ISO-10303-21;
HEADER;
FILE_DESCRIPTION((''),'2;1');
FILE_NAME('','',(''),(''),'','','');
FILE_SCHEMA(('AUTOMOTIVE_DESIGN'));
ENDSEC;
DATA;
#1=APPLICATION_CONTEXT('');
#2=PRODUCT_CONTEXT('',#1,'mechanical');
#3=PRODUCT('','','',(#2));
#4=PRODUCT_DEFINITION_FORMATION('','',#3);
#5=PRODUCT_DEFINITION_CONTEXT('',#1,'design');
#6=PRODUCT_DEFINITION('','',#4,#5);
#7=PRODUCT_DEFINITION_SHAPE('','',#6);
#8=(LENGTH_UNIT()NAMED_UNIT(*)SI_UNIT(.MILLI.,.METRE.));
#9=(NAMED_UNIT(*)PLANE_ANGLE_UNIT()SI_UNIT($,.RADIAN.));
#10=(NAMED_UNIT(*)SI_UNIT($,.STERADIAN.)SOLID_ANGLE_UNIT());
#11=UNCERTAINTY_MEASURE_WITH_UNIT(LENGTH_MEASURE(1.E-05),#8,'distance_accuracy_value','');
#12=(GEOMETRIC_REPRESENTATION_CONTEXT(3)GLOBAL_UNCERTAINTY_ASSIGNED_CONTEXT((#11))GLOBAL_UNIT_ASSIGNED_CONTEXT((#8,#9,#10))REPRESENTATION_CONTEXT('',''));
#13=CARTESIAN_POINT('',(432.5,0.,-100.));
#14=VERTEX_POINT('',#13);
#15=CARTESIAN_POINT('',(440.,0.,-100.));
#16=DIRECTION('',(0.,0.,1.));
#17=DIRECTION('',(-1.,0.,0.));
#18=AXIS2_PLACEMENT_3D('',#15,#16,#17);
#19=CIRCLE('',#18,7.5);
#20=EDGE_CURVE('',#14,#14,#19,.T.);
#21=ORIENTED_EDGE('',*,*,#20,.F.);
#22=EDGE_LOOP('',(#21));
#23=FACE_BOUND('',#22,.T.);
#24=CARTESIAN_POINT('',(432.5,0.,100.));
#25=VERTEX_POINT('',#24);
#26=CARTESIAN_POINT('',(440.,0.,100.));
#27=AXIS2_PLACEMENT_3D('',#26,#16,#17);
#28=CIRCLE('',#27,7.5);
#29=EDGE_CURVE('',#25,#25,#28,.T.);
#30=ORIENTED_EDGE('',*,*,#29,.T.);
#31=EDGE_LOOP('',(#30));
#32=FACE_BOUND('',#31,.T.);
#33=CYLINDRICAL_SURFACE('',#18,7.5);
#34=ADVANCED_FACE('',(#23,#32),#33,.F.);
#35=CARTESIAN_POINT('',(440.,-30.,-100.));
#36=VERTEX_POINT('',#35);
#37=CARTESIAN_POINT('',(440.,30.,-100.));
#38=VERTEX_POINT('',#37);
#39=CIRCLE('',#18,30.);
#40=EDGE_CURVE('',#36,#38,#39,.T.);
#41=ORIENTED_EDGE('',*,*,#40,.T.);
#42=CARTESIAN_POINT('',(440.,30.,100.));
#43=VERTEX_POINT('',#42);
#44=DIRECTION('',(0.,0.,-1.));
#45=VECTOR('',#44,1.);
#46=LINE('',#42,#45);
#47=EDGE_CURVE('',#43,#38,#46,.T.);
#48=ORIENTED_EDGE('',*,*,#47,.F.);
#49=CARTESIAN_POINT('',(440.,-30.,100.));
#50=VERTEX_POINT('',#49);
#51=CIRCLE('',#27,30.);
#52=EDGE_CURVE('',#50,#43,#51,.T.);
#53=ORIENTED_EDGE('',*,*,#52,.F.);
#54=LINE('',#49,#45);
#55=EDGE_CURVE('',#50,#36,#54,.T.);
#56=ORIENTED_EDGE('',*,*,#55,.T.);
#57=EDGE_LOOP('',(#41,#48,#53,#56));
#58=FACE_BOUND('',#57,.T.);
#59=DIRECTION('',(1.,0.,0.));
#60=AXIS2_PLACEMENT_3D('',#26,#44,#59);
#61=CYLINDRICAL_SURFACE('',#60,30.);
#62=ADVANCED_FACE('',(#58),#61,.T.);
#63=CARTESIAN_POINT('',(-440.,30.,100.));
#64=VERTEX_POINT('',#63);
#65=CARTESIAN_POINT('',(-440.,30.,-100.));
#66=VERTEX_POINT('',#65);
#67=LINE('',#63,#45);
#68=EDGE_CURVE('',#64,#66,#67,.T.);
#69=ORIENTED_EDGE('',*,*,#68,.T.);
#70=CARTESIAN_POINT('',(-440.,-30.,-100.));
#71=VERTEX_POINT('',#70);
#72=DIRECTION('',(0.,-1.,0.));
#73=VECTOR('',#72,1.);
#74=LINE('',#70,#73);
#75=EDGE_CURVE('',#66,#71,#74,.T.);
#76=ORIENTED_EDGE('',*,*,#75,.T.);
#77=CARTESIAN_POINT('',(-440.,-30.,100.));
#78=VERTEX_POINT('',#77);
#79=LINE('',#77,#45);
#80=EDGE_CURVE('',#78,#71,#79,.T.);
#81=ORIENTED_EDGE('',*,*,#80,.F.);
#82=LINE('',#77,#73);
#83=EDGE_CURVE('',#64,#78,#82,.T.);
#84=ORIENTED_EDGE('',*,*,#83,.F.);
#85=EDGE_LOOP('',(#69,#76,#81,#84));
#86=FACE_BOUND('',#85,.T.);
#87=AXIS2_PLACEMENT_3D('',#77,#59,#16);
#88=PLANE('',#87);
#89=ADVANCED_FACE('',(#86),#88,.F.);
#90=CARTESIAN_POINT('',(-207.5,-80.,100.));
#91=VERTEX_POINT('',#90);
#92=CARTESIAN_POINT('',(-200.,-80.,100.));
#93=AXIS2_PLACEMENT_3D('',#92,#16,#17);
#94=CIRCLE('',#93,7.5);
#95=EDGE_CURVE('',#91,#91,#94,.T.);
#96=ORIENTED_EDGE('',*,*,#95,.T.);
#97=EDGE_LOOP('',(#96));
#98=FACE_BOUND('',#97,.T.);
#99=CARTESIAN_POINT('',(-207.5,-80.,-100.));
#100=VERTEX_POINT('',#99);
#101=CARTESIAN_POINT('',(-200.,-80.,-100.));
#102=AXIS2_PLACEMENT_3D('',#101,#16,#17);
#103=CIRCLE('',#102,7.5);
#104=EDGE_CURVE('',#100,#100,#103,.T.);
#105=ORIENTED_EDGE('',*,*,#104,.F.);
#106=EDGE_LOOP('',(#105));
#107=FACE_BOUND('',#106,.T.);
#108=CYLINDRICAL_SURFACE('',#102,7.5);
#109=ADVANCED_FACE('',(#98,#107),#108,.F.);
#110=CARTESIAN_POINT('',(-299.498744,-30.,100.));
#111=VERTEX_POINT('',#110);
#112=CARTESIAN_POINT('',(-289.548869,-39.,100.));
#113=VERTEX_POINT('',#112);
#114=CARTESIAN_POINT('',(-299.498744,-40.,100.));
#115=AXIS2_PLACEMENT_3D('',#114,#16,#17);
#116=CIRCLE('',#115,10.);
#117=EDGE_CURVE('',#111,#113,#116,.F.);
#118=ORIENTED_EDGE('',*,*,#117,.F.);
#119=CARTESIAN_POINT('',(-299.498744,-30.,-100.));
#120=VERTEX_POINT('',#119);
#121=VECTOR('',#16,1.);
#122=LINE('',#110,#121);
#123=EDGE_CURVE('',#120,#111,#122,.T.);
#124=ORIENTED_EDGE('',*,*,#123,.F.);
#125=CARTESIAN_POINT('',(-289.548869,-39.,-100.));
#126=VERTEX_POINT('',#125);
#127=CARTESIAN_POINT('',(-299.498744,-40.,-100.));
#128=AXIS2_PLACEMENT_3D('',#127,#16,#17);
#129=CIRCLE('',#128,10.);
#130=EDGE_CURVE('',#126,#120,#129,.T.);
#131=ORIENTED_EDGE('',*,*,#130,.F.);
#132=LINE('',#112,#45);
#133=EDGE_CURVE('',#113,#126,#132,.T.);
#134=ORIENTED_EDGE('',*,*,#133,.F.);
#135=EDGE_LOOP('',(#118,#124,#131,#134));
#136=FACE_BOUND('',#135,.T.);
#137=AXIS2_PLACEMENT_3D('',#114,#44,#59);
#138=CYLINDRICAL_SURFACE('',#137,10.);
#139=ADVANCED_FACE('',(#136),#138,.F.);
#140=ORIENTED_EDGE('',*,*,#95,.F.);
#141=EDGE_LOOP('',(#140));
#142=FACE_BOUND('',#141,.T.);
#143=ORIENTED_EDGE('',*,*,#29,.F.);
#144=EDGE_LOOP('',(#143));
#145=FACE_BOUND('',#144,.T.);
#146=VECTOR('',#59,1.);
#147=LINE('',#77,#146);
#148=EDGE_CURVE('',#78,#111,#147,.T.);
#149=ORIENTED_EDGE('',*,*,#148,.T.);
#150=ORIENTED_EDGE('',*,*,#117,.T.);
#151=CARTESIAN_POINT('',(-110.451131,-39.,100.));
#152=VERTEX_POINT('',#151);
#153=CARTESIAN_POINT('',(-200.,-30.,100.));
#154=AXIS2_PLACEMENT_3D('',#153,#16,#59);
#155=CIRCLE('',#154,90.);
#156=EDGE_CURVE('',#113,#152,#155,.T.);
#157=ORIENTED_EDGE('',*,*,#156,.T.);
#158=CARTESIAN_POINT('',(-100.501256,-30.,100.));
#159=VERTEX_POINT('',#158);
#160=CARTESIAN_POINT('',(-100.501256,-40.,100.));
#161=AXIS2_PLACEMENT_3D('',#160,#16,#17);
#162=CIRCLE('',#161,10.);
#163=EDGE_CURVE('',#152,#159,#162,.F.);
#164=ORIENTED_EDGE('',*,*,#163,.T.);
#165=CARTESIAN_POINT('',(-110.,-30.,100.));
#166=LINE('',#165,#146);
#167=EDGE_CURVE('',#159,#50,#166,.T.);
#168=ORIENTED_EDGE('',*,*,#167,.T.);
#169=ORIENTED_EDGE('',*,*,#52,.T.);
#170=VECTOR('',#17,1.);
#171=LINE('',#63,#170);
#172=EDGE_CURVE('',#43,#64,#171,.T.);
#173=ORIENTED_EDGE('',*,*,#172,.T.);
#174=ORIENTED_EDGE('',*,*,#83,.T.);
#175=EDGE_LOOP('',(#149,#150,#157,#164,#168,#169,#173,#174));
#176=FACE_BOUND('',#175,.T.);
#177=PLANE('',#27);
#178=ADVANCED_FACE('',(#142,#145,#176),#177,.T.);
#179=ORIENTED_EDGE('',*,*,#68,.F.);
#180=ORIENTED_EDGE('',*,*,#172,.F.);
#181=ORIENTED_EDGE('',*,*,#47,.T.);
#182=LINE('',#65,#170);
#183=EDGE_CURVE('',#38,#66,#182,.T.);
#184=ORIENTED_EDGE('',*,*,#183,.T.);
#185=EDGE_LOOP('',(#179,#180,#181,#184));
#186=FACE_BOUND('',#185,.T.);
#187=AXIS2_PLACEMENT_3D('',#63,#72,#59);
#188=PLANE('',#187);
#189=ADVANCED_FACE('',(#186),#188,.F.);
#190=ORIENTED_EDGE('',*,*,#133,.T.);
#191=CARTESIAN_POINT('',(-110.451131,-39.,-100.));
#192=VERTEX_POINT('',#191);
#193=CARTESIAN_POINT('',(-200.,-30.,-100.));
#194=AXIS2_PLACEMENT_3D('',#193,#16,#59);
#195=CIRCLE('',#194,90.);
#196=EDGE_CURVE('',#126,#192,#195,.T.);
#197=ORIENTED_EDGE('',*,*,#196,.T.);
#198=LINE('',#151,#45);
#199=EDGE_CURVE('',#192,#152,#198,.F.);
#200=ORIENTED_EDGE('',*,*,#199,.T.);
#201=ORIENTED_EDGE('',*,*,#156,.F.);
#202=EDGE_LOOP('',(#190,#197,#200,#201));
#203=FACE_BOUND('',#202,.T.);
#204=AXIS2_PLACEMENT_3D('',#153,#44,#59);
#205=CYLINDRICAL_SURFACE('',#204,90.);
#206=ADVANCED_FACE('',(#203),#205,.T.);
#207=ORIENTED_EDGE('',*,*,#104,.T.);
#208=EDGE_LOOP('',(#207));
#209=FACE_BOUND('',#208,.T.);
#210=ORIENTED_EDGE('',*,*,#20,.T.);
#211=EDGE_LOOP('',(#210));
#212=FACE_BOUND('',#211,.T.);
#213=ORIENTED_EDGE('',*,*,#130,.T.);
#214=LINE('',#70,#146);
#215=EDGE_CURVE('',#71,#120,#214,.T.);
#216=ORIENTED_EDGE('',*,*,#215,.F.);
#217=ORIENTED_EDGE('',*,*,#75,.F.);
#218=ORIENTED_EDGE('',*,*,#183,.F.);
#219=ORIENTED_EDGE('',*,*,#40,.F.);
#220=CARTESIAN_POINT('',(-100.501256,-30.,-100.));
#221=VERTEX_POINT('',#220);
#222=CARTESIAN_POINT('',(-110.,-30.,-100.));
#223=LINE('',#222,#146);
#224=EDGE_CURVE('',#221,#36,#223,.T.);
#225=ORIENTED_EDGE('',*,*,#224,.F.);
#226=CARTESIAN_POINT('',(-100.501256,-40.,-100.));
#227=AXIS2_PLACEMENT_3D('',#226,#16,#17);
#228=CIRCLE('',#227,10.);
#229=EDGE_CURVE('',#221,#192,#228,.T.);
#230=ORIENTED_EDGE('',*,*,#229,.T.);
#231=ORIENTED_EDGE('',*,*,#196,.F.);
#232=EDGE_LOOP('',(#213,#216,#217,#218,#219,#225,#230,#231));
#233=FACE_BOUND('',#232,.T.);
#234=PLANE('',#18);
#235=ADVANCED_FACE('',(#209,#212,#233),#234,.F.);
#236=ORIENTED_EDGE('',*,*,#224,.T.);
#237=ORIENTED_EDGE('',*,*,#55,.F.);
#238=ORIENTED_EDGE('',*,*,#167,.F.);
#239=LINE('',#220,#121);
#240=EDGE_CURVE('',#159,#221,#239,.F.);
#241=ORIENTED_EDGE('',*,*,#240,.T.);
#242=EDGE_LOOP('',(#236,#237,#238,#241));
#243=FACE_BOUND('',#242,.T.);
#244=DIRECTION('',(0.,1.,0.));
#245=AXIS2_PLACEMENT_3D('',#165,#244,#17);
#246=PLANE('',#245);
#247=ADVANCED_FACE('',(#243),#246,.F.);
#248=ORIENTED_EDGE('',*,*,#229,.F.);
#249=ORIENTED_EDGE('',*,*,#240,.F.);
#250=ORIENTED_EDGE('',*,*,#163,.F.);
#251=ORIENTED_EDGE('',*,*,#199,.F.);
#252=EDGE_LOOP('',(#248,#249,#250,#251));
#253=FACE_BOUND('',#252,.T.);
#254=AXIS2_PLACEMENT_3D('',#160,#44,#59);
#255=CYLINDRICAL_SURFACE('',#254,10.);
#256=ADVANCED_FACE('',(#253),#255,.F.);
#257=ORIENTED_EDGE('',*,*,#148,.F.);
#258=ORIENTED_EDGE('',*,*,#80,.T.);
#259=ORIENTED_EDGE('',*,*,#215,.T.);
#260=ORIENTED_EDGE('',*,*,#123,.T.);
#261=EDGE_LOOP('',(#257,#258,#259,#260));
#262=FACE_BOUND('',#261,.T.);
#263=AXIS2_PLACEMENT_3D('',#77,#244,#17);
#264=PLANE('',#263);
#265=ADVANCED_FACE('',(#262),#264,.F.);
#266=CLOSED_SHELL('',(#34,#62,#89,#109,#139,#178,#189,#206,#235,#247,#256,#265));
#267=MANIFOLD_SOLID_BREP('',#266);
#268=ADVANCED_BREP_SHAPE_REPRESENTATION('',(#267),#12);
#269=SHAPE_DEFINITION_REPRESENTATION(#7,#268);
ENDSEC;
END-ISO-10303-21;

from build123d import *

# Parameters (mm, degrees)
BOSS_EXTRUDE1_DEPTH   = 100
SKETCH2_R             = 7.5
CUT_EXTRUDE1_DEPTH    = 525.690384894
FILLET1_R             = 10
BODY_MOVE_COPY1_ANGLE = 180


with BuildPart() as part:
    # Sketch1 → Boss-Extrude1 (new, symmetric)
    with BuildSketch(Plane.XY):
        with BuildLine():
            Line((440, -30), (-440, -30))
            ThreePointArc((-440, -30), (-470, 0), (-440, 30))
            Line((-440, 30), (110, 30))
            ThreePointArc((110, 30), (200, 120), (290, 30))
            Line((290, 30), (440, 30))
            Line((440, 30), (440, -30))
        make_face()
    extrude(amount=BOSS_EXTRUDE1_DEPTH, both=True)

    # Sketch2 → Cut-Extrude1 (cut, through all)
    with BuildSketch(Plane.XY.offset(100)):
        with Locations((-440, 0)):
            Circle(SKETCH2_R)
        with Locations((200, 80)):
            Circle(SKETCH2_R)
    extrude(amount=-CUT_EXTRUDE1_DEPTH, mode=Mode.SUBTRACT)

    # Fillet1
    fillet1_edges = [part.edges().sort_by_distance(p)[0] for p in [
        (110, 30, 0),
        (290, 30, 0),
    ]]
    fillet(fillet1_edges, radius=FILLET1_R)


with BuildPart() as part_1:
    # Body-Move/Copy1: moved
    add(part.part.rotate(Axis((0, 0, 0), (0, 0, 1)), BODY_MOVE_COPY1_ANGLE))


solid = part_1.part
